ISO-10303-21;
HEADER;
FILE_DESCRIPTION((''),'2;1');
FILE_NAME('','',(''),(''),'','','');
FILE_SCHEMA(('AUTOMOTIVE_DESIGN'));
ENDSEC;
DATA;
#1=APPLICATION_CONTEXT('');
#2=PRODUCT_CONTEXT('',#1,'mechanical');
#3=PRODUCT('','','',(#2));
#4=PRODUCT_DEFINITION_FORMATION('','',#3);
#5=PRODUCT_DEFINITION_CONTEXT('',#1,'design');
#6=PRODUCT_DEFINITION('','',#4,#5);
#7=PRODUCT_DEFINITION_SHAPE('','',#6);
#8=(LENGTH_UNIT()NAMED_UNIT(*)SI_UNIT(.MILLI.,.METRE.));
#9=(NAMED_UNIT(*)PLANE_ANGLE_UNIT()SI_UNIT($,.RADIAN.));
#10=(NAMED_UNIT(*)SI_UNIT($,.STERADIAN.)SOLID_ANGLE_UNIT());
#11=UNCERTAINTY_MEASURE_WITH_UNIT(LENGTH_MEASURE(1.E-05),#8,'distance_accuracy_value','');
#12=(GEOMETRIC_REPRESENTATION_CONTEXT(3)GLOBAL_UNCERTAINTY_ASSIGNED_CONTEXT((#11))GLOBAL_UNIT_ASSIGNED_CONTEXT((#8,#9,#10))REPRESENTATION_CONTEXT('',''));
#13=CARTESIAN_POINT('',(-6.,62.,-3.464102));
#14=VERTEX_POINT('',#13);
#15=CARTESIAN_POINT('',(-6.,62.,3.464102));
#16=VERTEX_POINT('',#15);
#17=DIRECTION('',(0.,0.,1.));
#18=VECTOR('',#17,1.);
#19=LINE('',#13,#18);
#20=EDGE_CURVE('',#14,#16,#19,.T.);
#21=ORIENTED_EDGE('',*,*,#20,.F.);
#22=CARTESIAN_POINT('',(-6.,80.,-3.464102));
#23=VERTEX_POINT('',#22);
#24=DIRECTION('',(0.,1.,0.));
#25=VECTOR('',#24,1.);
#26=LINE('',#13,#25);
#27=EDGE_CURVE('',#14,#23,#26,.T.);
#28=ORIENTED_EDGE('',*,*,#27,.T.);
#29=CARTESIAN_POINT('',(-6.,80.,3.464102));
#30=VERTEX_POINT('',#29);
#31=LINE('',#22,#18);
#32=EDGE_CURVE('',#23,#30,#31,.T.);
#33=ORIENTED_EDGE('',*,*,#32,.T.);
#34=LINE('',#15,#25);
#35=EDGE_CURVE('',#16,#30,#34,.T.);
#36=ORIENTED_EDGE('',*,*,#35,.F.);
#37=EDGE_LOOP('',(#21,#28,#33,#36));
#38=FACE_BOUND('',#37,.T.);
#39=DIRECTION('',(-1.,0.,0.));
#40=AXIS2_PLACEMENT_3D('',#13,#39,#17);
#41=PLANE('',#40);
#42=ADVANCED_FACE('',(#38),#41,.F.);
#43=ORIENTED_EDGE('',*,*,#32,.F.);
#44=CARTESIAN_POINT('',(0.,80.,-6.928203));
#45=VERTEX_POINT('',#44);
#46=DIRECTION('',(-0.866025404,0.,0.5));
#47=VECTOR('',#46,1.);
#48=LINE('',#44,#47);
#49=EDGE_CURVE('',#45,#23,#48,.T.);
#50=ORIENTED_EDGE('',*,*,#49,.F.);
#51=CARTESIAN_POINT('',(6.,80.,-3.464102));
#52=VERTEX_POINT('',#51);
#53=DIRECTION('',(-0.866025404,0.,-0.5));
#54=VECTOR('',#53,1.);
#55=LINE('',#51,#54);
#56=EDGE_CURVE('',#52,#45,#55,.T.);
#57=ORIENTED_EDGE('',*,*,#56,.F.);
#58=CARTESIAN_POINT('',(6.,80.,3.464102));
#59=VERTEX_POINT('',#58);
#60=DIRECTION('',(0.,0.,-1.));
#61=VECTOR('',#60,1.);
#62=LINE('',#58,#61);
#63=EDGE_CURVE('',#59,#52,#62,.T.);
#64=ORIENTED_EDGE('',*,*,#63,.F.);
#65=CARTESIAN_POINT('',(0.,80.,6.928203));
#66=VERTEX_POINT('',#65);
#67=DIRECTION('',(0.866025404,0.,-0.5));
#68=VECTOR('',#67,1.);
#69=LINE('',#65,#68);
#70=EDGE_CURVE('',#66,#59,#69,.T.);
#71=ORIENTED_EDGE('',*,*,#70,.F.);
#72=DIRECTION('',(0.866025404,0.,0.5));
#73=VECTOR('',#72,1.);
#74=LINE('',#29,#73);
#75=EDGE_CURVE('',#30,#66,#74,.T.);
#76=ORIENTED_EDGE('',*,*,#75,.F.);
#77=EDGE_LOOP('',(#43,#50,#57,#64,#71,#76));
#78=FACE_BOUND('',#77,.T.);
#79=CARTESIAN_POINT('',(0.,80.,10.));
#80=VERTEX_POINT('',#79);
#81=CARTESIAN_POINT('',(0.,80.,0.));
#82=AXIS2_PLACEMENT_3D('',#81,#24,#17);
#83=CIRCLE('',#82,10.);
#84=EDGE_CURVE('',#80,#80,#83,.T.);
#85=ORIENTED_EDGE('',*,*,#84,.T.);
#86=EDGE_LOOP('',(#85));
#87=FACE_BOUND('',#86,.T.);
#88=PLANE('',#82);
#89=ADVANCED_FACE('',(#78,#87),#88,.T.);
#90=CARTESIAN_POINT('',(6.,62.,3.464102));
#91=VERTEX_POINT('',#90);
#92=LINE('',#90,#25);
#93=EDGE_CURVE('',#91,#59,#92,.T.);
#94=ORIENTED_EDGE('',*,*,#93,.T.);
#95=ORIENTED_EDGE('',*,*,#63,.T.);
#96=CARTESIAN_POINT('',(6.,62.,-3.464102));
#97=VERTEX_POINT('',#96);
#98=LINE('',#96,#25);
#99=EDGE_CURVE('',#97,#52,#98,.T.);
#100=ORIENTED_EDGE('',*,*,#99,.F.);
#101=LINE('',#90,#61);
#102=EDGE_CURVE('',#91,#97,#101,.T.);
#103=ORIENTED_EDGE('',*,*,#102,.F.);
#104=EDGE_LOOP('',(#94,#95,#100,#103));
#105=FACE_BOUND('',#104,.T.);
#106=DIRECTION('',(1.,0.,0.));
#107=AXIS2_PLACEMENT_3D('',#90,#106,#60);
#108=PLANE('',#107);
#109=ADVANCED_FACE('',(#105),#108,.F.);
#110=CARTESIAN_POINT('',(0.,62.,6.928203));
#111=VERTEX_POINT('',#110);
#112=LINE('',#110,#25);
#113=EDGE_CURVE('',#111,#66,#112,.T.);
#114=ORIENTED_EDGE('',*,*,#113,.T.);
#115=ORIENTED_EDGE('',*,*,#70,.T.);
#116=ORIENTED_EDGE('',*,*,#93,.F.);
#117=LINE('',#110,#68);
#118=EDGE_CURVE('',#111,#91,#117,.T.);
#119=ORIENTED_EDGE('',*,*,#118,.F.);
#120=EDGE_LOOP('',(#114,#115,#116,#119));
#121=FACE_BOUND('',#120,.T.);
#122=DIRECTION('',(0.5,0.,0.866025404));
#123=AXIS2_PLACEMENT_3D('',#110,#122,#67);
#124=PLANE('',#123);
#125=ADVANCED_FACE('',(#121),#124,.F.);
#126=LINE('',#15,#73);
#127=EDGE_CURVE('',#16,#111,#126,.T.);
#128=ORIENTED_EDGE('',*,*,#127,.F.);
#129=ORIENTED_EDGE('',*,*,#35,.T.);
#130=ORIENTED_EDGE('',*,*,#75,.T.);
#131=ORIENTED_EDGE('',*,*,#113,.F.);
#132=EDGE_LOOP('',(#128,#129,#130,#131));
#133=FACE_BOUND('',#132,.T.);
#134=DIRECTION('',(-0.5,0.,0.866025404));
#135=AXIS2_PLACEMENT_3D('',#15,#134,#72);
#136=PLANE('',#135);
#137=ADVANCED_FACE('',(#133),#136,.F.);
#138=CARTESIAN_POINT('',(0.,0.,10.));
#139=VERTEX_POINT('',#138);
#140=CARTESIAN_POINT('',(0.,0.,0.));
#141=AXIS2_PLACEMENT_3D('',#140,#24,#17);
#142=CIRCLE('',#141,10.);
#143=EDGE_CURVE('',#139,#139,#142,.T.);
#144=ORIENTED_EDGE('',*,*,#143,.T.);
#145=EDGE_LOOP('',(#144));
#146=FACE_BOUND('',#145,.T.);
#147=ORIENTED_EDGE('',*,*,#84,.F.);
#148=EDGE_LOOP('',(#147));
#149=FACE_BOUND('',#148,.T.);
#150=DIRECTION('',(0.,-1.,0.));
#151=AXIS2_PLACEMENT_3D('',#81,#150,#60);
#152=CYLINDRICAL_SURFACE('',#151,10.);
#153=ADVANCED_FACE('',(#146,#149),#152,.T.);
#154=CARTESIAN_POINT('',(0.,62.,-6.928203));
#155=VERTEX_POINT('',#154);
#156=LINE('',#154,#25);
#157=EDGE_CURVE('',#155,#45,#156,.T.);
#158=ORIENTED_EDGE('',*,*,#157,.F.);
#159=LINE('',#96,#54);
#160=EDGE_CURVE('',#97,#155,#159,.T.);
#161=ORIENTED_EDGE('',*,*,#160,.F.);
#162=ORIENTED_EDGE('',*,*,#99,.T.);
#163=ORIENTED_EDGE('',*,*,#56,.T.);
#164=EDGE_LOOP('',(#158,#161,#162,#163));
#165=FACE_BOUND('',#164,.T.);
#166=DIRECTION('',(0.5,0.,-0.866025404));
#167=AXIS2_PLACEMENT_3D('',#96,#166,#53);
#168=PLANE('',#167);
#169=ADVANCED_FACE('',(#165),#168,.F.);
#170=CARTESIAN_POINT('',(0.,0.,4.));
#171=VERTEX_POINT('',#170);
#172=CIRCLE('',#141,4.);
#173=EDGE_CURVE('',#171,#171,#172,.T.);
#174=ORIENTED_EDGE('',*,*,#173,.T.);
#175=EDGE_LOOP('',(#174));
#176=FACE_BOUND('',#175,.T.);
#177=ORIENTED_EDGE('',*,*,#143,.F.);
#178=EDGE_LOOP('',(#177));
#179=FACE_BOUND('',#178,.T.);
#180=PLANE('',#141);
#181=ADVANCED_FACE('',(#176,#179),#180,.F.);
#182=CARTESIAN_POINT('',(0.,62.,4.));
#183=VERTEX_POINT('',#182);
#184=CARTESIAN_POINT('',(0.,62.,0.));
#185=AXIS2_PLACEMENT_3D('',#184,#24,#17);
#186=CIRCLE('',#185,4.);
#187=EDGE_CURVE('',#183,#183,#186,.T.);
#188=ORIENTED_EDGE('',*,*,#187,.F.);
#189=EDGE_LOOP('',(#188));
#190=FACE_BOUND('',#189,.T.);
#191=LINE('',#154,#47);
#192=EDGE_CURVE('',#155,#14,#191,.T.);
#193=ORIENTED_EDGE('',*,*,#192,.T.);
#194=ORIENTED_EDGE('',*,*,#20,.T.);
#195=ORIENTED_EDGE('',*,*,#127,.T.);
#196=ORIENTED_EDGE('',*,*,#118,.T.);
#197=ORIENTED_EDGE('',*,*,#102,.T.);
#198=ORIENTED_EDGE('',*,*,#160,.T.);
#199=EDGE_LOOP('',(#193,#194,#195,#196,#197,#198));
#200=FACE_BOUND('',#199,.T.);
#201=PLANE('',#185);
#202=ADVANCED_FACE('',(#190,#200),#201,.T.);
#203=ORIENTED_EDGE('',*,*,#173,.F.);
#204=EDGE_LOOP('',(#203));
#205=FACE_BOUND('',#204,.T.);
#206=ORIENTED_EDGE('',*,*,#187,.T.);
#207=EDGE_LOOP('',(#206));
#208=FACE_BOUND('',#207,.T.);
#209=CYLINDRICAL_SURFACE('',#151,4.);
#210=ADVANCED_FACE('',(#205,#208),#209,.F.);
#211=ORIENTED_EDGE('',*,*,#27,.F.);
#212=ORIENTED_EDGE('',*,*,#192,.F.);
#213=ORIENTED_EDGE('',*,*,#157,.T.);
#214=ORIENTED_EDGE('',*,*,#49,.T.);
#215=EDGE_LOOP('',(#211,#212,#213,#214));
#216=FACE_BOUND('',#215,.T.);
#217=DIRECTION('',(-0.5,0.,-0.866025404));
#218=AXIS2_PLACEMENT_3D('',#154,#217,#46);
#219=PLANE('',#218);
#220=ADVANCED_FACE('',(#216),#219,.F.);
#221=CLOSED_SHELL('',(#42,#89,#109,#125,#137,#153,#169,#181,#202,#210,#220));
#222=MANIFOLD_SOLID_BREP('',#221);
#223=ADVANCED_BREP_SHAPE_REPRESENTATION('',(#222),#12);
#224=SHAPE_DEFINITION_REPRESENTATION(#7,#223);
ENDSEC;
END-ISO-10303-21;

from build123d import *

# Parameters (mm, degrees)
SKETCH_1_R          = 10
SKETCH_1_R_2        = 4
EXTRUDE_1_DEPTH     = 80
CUT_EXTRUDE_1_DEPTH = 18


with BuildPart() as part:
    # 草图1 → 凸台-拉伸1 (new body)
    with BuildSketch(Plane(origin=(0, 0, 0), x_dir=(1, 0, 0), z_dir=(0, 1, 0))):
        with Locations(Location((0, 0, 0), (0, 0, 270))):
            Circle(SKETCH_1_R)
        with Locations(Location((0, 0, 0), (0, 0, 270))):
            Circle(SKETCH_1_R_2, mode=Mode.SUBTRACT)
    extrude(amount=EXTRUDE_1_DEPTH)

    # 草图2 → 切除-拉伸1 (cut)
    with BuildSketch(Plane(origin=(0, 80, 0), x_dir=(1, 0, 0), z_dir=(0, 1, 0))):
        Polygon((0, -6.92820323), (6, -3.464101615), (6, 3.464101615), (0, 6.92820323), (-6, 3.464101615), (-6, -3.464101615), align=None)
    extrude(amount=-CUT_EXTRUDE_1_DEPTH, mode=Mode.SUBTRACT)


solid = part.part
